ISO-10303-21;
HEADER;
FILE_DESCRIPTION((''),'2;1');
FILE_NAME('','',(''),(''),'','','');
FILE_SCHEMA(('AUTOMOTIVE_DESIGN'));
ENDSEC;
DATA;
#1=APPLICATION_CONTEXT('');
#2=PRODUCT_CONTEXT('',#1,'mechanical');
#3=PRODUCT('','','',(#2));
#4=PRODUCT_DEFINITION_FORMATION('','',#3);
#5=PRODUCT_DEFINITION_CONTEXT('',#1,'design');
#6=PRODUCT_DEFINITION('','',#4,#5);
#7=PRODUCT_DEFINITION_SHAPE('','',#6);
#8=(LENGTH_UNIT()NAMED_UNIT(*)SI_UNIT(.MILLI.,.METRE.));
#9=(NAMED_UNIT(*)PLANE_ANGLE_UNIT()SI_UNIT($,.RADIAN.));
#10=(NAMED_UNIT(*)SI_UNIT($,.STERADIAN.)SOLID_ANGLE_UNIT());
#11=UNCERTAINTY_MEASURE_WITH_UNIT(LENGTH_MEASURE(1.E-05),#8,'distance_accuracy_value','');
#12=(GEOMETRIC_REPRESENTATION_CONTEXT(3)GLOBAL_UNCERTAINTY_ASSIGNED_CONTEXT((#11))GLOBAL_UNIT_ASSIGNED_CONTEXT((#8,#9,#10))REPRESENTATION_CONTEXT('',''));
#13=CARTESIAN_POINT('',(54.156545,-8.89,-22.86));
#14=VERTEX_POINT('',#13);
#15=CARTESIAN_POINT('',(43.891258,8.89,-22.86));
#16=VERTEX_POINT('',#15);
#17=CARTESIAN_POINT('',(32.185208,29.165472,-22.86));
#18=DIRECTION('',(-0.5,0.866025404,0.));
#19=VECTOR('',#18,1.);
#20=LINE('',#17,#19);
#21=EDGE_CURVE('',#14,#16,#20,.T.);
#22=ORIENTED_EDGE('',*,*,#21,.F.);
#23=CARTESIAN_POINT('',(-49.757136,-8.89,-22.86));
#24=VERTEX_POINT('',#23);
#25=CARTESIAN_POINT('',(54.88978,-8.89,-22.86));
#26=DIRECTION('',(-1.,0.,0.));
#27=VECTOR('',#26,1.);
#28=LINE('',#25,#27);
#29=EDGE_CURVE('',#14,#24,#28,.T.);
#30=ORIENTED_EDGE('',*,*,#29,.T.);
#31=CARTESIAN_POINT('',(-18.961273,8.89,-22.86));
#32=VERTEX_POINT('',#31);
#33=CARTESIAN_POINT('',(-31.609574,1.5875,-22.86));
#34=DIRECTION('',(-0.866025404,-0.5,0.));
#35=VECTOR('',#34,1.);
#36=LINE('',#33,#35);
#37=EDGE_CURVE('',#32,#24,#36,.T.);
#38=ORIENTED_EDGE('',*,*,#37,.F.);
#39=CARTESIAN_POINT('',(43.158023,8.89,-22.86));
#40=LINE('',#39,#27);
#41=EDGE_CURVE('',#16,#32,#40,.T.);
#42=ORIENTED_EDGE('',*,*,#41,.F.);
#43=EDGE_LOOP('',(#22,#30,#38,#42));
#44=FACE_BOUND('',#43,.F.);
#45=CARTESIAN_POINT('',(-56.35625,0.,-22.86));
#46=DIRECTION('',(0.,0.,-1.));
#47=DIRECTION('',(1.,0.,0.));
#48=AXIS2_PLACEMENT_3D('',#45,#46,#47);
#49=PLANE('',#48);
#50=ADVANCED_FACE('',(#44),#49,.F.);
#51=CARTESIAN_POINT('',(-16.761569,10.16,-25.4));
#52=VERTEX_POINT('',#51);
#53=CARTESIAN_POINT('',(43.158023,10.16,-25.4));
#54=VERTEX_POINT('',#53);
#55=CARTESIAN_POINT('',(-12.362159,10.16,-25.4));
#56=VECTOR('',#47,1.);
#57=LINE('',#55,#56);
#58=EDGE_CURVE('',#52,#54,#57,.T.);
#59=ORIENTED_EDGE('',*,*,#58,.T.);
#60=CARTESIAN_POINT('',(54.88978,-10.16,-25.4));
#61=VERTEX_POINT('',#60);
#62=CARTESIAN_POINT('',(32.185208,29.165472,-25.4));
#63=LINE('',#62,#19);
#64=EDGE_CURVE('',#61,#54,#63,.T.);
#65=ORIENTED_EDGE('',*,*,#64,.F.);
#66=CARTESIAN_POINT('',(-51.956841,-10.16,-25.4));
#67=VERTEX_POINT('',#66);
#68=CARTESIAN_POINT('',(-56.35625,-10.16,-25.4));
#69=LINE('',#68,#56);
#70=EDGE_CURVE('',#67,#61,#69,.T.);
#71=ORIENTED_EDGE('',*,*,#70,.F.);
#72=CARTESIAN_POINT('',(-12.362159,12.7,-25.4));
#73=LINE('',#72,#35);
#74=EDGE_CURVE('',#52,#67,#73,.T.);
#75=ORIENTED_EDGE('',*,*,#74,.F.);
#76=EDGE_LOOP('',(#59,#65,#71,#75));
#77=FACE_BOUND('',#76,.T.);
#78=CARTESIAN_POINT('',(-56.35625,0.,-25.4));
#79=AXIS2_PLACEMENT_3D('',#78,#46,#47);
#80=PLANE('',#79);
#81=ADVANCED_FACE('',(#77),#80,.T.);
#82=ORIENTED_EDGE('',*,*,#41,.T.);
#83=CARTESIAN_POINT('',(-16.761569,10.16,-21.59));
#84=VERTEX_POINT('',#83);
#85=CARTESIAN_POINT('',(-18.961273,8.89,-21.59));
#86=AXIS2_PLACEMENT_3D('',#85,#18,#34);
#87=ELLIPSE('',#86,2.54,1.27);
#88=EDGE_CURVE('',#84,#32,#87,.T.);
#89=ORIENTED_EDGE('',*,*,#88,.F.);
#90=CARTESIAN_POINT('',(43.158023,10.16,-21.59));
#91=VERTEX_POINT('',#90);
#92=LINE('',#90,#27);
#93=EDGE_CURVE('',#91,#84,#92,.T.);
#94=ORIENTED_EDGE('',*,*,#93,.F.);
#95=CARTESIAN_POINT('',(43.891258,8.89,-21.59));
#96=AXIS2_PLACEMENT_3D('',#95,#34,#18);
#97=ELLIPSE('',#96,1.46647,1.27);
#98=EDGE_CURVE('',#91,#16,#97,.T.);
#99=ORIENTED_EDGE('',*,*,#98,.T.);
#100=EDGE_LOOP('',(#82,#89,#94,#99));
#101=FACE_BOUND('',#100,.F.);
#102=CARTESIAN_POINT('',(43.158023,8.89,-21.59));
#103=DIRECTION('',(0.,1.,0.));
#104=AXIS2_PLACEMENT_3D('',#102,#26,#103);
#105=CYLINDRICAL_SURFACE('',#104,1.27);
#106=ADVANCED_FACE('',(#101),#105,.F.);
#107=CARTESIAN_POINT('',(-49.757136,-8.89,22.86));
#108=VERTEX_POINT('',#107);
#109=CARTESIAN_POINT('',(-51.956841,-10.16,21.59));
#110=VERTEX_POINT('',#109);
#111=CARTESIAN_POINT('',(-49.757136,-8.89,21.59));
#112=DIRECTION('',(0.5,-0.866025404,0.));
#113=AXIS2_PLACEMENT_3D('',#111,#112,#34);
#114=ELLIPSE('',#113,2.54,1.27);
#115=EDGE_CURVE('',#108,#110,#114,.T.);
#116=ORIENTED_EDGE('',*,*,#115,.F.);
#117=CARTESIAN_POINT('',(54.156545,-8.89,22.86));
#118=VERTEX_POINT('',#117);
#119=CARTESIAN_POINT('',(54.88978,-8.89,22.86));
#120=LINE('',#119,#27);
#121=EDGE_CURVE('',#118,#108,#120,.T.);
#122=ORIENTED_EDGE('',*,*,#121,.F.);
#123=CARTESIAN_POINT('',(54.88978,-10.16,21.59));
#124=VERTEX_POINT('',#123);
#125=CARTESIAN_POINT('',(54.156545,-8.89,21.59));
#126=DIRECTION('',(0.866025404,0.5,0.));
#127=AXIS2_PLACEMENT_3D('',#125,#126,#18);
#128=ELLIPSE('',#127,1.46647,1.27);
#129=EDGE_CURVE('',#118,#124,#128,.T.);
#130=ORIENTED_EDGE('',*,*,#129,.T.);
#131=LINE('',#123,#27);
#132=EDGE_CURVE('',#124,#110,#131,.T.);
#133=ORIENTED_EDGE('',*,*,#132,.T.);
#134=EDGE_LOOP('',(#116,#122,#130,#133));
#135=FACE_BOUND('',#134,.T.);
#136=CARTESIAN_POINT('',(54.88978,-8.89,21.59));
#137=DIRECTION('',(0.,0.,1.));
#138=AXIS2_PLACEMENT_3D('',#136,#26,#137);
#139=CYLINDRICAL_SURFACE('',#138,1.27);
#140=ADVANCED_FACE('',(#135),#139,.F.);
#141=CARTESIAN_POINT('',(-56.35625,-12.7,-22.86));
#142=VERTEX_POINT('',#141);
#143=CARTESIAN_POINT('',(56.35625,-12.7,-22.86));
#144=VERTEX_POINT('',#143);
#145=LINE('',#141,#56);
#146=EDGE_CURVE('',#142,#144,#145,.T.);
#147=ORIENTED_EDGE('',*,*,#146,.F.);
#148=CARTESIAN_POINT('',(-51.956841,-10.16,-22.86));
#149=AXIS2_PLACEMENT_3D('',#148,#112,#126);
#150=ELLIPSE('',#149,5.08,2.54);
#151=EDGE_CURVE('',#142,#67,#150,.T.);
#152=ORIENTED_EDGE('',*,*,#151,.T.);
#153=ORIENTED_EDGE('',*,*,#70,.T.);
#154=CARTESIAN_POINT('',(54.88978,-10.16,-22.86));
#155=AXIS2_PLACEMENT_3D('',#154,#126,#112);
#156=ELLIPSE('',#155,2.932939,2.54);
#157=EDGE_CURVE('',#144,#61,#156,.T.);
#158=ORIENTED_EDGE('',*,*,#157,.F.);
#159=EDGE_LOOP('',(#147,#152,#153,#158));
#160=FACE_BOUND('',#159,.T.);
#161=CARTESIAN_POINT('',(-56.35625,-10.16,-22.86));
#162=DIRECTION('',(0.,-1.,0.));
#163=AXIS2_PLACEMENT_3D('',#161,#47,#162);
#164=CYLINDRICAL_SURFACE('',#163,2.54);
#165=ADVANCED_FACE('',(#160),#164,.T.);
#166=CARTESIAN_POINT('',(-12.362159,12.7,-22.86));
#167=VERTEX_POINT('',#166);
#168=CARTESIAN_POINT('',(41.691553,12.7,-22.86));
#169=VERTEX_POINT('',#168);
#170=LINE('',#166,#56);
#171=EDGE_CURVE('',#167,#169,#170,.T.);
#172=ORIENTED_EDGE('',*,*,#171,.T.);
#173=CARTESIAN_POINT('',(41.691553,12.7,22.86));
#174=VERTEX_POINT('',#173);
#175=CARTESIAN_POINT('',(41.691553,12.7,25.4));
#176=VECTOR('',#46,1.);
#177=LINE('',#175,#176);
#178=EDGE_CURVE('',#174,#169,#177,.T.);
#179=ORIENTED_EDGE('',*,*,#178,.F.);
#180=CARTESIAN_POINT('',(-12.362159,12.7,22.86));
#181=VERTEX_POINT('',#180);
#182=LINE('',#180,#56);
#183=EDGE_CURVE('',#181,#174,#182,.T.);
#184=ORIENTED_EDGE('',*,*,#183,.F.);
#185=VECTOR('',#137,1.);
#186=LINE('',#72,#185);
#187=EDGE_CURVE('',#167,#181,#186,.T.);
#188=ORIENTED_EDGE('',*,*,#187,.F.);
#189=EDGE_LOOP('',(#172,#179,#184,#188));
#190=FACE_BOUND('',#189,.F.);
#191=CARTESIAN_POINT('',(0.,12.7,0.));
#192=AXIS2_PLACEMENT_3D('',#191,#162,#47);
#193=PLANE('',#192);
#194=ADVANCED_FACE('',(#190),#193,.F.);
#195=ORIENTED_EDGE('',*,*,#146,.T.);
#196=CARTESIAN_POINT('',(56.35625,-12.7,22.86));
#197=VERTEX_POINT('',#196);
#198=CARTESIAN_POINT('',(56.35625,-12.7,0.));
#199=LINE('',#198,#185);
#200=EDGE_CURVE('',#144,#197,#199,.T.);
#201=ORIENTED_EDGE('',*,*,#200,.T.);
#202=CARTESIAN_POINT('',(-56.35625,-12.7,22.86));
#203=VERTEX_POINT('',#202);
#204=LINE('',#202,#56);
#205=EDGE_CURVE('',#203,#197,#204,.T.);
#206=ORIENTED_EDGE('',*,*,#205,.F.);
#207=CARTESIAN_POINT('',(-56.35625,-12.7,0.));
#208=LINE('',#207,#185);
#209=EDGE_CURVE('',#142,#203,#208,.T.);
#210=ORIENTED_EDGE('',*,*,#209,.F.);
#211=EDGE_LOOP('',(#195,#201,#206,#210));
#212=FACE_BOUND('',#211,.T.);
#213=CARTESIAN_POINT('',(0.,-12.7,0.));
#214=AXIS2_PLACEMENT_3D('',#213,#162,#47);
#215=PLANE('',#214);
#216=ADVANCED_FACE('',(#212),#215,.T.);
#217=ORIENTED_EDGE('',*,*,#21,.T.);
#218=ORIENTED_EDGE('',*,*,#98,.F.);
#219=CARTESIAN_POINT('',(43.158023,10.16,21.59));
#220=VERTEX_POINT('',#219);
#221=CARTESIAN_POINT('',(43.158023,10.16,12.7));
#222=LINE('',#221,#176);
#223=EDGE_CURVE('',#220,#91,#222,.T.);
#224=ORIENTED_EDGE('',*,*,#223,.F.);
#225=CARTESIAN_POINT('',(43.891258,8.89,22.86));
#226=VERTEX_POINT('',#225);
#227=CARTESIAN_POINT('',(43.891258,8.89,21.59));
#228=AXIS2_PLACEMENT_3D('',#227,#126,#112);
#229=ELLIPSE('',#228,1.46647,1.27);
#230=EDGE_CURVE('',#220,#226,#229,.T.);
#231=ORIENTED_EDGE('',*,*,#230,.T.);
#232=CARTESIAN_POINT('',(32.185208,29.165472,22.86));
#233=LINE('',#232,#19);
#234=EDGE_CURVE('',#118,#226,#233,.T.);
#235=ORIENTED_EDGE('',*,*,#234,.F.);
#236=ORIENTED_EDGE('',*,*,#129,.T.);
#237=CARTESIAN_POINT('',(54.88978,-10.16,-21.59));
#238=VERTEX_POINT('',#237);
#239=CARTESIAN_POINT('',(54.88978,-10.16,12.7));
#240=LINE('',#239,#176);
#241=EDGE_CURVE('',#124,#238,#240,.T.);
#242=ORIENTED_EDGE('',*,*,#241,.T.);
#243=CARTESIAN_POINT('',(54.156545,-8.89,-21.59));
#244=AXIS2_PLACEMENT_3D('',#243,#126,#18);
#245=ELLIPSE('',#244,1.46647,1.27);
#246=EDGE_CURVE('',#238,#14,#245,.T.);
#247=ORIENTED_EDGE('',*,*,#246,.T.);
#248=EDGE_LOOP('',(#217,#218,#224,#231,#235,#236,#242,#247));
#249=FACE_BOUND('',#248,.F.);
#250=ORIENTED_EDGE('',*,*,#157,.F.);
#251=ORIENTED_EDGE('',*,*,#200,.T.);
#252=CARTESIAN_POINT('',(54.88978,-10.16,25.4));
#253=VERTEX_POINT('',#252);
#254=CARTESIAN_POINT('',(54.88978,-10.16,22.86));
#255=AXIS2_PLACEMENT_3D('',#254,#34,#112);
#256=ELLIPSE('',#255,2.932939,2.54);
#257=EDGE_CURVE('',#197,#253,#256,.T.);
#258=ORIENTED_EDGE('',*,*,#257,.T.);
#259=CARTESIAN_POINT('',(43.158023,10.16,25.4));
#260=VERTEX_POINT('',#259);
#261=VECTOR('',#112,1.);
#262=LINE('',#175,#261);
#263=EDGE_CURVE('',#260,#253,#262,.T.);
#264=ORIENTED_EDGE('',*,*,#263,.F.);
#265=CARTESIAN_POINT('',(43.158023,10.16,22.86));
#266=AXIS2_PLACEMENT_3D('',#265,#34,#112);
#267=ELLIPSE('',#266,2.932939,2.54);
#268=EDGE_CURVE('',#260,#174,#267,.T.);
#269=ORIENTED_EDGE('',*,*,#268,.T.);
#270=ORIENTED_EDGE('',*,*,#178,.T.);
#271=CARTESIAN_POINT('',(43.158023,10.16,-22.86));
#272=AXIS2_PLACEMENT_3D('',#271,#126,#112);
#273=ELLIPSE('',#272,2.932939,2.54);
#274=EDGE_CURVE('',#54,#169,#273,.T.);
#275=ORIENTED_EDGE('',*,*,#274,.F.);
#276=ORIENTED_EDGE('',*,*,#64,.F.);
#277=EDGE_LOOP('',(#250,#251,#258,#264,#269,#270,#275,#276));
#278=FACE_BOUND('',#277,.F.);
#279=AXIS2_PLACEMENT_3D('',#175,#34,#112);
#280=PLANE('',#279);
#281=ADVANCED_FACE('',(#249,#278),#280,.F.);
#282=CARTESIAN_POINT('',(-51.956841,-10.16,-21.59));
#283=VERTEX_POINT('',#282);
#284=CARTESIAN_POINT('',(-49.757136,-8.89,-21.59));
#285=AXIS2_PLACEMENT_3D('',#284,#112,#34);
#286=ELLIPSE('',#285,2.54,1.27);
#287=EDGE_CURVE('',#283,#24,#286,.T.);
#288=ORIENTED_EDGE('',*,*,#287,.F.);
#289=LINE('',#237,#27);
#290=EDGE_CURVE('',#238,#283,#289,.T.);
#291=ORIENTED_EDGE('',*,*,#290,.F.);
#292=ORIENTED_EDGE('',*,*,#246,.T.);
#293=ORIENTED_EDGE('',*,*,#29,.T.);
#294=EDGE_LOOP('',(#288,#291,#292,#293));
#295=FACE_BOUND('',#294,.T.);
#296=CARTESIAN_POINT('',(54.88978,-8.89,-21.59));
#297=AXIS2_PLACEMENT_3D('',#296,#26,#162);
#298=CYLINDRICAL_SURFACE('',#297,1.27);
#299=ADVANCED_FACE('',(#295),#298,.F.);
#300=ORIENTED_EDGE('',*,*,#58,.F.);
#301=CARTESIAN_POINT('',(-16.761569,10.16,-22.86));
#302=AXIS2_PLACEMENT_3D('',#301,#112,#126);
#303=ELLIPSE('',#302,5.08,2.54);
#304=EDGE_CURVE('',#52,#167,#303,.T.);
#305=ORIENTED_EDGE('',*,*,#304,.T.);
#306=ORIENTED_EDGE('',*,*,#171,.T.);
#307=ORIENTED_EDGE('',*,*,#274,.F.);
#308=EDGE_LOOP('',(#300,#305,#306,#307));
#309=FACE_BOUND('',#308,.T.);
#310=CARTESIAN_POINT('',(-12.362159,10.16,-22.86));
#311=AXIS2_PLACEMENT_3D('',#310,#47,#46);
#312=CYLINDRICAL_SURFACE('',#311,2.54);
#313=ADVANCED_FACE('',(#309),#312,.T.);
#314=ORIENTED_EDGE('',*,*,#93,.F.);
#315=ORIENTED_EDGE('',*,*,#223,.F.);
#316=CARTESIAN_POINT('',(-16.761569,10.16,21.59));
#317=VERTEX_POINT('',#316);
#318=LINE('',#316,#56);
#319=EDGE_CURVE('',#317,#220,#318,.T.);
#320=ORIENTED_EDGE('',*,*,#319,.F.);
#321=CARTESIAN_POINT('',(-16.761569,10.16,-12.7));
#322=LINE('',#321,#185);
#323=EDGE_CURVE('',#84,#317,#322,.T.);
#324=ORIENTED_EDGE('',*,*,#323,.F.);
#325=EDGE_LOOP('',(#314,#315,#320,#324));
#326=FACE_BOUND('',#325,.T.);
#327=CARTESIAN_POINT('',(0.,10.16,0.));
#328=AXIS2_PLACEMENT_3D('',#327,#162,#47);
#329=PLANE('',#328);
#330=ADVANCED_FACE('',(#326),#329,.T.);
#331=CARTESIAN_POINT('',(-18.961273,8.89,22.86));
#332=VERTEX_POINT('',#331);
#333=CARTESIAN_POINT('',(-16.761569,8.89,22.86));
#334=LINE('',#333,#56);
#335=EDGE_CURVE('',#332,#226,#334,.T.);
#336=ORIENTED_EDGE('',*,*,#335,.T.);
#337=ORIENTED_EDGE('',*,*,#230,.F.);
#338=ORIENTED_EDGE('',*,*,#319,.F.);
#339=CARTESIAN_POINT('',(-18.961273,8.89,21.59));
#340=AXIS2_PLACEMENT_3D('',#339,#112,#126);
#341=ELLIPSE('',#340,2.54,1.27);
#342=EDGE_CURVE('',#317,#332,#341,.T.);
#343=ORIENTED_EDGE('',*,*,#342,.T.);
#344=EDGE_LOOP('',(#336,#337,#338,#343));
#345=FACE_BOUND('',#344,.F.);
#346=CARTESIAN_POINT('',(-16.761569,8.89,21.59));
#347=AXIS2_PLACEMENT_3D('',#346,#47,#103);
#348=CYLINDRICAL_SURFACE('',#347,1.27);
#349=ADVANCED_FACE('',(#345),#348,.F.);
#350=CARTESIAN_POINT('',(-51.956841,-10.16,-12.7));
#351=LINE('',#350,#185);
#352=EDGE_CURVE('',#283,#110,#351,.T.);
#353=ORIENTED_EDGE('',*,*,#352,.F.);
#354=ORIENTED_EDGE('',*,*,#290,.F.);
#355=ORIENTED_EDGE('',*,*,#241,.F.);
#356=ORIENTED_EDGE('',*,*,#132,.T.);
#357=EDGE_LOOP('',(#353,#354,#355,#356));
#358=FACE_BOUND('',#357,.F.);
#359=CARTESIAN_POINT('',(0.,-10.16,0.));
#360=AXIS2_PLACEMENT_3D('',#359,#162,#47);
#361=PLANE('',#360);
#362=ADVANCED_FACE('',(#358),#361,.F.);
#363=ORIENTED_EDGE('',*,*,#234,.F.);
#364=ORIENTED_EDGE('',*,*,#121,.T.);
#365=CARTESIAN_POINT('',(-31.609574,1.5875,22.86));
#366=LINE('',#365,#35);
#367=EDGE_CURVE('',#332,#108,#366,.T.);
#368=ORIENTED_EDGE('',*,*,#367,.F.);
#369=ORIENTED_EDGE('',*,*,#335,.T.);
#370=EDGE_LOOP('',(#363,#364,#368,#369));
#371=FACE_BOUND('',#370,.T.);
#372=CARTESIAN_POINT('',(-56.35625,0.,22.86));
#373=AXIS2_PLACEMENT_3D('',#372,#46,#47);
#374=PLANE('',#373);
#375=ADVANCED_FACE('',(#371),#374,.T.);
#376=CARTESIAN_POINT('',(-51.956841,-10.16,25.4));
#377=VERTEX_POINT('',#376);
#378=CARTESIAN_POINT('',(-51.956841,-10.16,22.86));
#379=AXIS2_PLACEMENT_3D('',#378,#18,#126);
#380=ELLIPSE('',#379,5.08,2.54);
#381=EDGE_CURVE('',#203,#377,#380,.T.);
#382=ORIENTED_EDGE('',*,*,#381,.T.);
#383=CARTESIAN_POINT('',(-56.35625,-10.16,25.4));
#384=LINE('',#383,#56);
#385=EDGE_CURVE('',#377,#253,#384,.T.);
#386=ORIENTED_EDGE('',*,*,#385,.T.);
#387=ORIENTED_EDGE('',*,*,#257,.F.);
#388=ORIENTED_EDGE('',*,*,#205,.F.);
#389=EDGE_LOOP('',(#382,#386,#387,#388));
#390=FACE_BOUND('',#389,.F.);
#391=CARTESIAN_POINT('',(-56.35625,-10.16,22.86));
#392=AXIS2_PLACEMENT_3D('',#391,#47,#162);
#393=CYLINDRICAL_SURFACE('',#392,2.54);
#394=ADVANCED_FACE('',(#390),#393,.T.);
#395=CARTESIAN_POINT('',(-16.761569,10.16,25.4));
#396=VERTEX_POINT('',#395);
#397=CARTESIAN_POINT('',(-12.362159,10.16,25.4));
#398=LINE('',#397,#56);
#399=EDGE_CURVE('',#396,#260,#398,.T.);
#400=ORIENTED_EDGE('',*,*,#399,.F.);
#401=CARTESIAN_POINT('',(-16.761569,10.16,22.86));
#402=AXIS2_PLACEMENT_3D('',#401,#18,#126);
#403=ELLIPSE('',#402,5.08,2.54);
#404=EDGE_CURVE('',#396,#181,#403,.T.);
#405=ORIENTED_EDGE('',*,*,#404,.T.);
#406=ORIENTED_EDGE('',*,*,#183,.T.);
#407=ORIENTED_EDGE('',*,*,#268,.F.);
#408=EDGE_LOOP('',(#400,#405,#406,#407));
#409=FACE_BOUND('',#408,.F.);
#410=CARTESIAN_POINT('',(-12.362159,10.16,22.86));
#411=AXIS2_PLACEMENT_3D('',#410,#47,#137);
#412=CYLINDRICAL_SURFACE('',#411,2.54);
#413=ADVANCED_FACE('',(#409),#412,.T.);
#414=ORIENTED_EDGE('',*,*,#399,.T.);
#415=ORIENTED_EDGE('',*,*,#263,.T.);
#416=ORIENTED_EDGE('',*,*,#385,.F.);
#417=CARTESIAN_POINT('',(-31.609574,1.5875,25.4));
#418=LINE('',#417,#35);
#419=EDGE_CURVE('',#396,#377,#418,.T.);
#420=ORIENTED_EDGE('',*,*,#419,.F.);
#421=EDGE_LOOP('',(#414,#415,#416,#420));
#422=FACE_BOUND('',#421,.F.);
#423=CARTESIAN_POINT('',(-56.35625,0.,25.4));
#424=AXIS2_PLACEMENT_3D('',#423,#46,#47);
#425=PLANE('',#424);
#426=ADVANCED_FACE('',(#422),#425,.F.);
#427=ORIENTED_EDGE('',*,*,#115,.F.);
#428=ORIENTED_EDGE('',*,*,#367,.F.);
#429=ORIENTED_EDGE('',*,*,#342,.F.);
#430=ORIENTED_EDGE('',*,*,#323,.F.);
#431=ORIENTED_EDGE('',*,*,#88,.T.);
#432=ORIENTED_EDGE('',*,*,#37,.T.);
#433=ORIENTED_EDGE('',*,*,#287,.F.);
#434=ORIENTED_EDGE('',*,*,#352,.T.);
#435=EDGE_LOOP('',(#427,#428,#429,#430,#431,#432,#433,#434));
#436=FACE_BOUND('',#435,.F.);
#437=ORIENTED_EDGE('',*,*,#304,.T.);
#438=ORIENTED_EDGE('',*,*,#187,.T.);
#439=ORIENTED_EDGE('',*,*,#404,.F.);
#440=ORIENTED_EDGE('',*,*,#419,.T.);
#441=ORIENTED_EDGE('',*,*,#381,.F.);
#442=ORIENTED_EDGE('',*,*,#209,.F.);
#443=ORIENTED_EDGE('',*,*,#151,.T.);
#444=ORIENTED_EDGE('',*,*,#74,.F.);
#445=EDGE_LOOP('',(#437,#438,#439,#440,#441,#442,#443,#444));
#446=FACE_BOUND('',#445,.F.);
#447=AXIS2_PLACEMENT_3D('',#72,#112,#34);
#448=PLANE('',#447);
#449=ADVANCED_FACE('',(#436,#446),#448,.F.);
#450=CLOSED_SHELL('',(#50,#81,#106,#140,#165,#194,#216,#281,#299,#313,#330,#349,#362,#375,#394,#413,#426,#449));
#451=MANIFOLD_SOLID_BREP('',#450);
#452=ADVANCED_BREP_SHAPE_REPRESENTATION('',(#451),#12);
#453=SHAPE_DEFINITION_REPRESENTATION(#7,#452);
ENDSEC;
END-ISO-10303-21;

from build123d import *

# Parameters (mm, degrees)
F0_W     = 112.7125
F0_H     = 50.8
F1_DEPTH = 12.7
F2_T     = -2.54
F4_DEPTH = 50.801
F6_DEPTH = 50.801
F7_R     = 2.54
F8_R     = 1.27


with BuildPart() as f1:
    # F0 (on Front) → F1 (new body, symmetric)
    with BuildSketch(Plane.XZ):
        Rectangle(F0_W, F0_H)
    extrude(amount=F1_DEPTH, both=True)

    # F2
    f2_openings = [f1.faces().sort_by_distance(p)[0] for p in [
        (-56.35625, 0, 0),
        (56.35625, 0, 0),
    ]]
    offset(amount=F2_T, openings=f2_openings)

    # F3 (on face) → F4 (cut, through all)
    with BuildSketch(Plane(origin=(0, 0, -25.4), x_dir=(1, 0, 0), z_dir=(0, 0, -1))):
        Polygon((-12.3621594878, -12.7), (-56.35625, 12.7), (-56.35625, -12.7), align=None)
    extrude(amount=-F4_DEPTH, mode=Mode.SUBTRACT)

    # F5 (on face) → F6 (cut, through all)
    with BuildSketch(Plane.XY.offset(25.4)):
        Polygon((41.6915531626, 12.7), (56.35625, -12.7), (56.35625, 12.7), align=None)
    extrude(amount=-F6_DEPTH, mode=Mode.SUBTRACT)

    # F7
    f7_edges = [f1.edges().sort_by_distance(p)[0] for p in [
        (0, -12.7, 25.4),
        (14.664697, 12.7, 25.4),
        (14.664697, 12.7, -25.4),
        (0, -12.7, -25.4),
    ]]
    fillet(f7_edges, radius=F7_R)

    # F8
    f8_edges = [f1.edges().sort_by_distance(p)[0] for p in [
        (13.198227, 10.16, 22.86),
        (1.46647, -10.16, 22.86),
        (1.46647, -10.16, -22.86),
        (13.198227, 10.16, -22.86),
    ]]
    fillet(f8_edges, radius=F8_R)


solid = f1.part
